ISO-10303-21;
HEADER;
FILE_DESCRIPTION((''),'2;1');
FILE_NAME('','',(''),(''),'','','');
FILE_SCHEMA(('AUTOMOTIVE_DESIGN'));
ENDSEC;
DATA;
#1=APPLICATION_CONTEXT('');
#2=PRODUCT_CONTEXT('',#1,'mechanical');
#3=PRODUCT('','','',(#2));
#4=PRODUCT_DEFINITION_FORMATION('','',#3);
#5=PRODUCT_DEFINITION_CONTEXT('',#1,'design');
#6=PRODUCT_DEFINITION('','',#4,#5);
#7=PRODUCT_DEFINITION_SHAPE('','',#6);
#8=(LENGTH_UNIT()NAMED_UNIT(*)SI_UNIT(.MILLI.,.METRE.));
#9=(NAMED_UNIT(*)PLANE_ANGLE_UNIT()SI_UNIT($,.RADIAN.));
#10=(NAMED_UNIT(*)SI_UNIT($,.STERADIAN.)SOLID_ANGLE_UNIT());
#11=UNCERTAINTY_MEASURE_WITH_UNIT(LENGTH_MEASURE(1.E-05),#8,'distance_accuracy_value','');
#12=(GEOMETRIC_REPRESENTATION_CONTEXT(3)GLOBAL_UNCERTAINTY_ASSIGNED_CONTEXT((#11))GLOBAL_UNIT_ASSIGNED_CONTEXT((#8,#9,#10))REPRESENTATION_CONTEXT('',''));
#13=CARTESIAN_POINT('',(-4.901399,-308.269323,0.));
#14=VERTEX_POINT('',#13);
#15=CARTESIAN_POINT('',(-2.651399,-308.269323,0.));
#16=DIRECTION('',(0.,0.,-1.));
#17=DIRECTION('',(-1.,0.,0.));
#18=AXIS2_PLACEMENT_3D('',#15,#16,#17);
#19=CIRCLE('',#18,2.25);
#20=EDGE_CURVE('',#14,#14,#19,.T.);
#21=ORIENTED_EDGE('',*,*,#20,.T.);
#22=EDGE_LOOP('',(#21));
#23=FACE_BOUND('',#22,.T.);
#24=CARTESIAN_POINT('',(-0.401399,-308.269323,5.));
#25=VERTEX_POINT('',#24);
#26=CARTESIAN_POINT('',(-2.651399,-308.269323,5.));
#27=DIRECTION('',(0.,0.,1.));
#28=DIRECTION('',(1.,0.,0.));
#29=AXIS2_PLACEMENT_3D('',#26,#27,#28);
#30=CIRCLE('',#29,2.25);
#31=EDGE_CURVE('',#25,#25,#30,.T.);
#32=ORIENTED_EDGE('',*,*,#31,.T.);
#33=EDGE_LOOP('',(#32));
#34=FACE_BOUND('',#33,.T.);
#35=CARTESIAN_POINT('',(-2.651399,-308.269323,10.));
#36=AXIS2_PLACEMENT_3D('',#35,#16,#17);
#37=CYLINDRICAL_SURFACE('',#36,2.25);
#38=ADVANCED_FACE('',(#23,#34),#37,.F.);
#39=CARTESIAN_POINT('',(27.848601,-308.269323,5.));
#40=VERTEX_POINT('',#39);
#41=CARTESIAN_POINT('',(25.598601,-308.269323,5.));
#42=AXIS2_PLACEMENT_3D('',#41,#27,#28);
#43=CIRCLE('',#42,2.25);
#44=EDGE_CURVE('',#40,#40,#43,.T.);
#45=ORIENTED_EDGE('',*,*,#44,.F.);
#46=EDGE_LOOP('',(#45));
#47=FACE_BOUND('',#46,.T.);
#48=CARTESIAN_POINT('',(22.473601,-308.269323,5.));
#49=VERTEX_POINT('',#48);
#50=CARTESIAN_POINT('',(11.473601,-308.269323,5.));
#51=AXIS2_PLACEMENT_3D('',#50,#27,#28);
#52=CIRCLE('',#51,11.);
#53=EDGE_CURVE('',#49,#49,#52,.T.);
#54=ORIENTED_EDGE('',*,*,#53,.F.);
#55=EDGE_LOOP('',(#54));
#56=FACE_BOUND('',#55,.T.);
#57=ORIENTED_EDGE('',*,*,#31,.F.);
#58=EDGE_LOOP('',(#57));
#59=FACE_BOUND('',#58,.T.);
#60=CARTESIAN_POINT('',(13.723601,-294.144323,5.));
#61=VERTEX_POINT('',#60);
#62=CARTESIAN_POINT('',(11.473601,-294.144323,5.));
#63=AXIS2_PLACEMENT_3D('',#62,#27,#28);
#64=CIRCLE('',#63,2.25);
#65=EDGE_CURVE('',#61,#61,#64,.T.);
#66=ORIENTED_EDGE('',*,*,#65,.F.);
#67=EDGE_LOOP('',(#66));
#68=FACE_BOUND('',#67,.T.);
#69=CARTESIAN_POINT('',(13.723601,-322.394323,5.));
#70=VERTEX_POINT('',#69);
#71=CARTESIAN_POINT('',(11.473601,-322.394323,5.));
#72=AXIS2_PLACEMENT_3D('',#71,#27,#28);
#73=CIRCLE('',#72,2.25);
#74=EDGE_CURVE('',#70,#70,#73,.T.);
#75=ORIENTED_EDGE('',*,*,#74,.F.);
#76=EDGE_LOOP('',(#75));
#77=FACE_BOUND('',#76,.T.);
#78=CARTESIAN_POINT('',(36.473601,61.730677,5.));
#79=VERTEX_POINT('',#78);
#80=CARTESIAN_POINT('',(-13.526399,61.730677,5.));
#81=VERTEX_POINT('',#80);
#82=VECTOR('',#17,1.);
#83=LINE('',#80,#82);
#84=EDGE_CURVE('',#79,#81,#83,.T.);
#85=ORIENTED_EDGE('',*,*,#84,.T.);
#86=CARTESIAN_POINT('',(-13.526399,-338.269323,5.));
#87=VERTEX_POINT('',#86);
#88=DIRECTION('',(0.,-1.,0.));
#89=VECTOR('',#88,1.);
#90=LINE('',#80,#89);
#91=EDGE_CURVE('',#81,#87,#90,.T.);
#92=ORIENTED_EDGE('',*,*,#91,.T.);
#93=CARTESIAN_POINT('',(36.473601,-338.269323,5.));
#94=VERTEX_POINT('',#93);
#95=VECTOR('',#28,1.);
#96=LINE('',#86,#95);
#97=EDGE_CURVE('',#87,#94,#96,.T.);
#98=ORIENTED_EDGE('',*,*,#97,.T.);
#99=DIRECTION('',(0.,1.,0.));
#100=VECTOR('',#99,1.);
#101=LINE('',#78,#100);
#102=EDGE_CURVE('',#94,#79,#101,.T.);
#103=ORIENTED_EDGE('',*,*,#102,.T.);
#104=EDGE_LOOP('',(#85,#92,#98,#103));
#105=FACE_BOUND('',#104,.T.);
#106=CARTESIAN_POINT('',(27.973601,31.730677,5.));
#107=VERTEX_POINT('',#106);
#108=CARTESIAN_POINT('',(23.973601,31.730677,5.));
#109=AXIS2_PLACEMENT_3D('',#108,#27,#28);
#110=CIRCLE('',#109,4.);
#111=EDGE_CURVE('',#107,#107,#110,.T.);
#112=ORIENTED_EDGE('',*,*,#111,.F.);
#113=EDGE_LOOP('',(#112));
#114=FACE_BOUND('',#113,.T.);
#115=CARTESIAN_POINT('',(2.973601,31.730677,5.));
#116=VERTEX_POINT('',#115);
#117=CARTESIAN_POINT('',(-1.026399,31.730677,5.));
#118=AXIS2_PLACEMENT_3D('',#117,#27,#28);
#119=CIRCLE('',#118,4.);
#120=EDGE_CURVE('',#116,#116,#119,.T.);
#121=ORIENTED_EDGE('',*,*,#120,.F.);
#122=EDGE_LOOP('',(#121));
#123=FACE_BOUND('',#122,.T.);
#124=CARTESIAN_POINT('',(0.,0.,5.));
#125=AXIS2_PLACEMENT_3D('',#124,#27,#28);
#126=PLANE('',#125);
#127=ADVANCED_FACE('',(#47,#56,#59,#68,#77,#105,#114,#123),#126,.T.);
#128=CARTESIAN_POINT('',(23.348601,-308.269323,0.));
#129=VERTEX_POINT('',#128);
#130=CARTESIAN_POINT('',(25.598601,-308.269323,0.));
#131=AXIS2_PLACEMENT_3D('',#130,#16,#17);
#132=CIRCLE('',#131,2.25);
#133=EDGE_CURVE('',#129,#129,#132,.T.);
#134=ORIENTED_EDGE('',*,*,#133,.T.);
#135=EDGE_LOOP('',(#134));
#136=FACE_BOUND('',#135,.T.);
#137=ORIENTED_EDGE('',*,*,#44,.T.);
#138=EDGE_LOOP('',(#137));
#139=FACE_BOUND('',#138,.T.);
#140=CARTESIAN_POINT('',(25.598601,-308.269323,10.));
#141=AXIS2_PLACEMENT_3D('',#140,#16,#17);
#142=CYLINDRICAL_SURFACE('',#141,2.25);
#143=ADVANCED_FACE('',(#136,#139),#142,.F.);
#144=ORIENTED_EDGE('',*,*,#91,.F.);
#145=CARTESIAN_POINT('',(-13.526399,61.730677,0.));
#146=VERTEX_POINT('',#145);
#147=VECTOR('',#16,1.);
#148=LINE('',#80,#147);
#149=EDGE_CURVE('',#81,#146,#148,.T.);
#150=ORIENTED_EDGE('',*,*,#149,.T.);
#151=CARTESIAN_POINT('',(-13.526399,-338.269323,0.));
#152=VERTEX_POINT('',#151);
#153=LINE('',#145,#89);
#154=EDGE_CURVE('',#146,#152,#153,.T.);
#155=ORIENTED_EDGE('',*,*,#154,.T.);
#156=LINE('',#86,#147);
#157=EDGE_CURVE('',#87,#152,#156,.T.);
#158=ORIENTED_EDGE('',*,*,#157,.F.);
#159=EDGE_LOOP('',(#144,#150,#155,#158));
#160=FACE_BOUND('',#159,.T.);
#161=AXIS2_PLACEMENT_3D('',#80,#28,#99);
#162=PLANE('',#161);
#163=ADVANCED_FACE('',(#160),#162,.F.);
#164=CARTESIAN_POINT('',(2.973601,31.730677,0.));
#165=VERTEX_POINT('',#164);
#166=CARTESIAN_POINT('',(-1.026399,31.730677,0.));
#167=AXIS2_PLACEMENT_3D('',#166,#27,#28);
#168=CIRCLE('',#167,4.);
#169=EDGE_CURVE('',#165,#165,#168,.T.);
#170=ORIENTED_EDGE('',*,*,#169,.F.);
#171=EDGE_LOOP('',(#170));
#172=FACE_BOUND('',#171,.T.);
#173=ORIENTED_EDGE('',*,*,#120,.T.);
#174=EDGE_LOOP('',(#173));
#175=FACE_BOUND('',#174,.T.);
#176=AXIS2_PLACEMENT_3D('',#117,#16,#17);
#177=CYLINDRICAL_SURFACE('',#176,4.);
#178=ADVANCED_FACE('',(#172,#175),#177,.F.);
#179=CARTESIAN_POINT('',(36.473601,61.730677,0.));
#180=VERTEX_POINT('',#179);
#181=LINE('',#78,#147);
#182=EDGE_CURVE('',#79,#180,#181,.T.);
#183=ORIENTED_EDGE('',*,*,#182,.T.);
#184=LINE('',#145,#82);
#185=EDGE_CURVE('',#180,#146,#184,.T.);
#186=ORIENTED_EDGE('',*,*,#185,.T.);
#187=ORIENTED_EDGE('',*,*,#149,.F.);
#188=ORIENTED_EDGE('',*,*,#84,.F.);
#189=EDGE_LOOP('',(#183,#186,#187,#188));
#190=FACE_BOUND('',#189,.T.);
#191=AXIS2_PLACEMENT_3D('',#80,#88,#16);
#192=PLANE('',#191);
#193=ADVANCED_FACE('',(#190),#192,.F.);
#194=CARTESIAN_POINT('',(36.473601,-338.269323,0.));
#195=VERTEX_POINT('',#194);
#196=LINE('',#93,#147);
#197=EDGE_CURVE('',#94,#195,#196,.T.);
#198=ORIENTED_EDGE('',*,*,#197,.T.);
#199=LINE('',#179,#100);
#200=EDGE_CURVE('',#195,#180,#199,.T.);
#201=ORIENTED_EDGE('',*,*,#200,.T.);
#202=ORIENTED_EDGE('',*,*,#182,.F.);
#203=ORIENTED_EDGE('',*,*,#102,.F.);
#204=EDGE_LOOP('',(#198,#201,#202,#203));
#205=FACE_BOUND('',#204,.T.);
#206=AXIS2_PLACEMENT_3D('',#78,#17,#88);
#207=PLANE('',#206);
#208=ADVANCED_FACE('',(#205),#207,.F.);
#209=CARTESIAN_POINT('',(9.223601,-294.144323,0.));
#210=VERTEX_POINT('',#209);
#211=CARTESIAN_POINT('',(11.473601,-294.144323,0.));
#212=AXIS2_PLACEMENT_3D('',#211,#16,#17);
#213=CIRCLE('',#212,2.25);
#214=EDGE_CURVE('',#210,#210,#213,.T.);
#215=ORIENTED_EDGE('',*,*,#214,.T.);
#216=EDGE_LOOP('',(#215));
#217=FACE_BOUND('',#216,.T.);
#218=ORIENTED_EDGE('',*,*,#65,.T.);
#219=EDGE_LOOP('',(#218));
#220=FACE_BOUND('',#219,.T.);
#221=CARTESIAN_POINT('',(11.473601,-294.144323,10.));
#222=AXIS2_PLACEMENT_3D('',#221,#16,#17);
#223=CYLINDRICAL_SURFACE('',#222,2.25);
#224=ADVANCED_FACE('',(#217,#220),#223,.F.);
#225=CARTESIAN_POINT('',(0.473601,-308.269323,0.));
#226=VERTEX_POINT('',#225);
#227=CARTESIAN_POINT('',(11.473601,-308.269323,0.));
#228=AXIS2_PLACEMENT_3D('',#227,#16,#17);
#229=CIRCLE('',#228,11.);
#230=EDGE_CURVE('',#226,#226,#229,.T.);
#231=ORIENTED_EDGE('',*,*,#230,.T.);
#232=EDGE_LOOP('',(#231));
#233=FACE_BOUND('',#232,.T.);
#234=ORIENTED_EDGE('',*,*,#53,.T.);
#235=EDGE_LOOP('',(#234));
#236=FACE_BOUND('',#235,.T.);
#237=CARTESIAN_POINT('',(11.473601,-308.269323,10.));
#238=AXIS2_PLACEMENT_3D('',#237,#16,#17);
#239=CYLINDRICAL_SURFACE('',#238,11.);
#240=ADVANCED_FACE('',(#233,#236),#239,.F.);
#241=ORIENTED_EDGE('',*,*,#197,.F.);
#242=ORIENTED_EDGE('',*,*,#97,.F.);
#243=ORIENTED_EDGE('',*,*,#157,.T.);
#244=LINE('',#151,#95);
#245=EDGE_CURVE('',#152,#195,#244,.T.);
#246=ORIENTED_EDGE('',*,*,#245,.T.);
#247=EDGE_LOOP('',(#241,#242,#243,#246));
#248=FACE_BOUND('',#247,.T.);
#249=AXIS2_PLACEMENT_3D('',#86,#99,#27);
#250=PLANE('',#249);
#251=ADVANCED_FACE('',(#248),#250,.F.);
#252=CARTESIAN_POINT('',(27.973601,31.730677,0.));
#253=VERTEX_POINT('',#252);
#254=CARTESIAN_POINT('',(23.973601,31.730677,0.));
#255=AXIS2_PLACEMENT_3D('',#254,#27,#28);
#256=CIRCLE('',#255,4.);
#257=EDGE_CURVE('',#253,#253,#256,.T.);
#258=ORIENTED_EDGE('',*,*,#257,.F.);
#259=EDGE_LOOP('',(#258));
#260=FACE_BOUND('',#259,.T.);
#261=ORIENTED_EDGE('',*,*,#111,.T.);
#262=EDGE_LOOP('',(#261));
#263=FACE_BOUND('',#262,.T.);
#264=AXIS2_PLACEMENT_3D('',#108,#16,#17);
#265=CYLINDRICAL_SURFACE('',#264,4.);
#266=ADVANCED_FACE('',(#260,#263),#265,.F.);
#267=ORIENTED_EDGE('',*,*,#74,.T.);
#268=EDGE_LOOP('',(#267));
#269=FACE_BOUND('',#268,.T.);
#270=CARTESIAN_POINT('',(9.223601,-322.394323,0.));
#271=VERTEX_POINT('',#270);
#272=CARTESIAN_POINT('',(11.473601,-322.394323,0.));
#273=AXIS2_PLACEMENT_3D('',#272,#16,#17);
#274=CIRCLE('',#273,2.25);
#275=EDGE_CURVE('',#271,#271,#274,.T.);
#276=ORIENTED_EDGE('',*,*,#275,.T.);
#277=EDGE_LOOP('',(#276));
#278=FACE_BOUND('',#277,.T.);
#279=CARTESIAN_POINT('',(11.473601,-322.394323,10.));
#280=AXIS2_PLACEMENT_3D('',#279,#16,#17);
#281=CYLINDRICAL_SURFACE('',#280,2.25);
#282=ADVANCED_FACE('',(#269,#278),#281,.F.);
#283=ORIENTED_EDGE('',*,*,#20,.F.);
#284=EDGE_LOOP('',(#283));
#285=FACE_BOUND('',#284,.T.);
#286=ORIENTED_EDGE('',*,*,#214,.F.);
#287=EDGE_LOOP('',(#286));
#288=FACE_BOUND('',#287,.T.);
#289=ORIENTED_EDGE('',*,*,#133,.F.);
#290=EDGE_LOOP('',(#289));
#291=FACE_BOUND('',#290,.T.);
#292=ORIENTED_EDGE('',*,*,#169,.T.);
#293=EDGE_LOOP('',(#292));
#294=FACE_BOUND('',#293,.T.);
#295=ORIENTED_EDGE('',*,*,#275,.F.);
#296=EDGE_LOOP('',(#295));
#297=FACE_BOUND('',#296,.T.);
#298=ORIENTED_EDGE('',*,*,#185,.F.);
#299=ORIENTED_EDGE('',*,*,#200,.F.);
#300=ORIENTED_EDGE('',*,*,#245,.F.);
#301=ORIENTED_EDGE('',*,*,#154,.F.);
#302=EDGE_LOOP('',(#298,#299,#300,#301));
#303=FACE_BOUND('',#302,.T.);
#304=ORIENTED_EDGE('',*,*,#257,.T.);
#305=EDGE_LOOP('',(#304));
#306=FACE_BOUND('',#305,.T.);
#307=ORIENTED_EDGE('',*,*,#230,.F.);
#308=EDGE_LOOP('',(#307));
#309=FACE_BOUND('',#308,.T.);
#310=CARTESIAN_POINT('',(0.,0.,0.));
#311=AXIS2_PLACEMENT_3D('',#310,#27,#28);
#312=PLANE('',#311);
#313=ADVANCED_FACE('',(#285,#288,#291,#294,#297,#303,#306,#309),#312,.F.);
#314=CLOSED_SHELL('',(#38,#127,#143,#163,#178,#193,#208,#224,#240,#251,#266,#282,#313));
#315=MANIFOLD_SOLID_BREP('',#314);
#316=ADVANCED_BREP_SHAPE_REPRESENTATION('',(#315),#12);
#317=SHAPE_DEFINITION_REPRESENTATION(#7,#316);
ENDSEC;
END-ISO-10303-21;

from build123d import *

# Parameters (mm, degrees)
SKETCH1_W           = 50
SKETCH1_H           = 400
SKETCH1_R           = 4
BOSS_EXTRUDE1_DEPTH = 5
SKETCH2_R           = 2.25
SKETCH2_R_2         = 11
CUT_EXTRUDE1_DEPTH  = 10


with BuildPart() as part:
    # Sketch1 → Boss-Extrude1 (new body)
    with BuildSketch(Plane.XY):
        with Locations((11.473600575, -138.26932293)):
            Rectangle(SKETCH1_W, SKETCH1_H)
        with Locations((-1.026399425, 31.73067707)):
            Circle(SKETCH1_R, mode=Mode.SUBTRACT)
        with Locations((23.973600575, 31.73067707)):
            Circle(SKETCH1_R, mode=Mode.SUBTRACT)
    extrude(amount=BOSS_EXTRUDE1_DEPTH)

    # Sketch2 → Cut-Extrude1 (cut)
    with BuildSketch(Plane(origin=(0, 0, 0), x_dir=(-1, 0, 0), z_dir=(0, 0, -1))):
        with Locations((-11.473600575, -322.39432293)):
            Circle(SKETCH2_R)
        with Locations((2.651399425, -308.26932293)):
            Circle(SKETCH2_R)
        with Locations((-11.473600575, -294.14432293)):
            Circle(SKETCH2_R)
        with Locations((-25.598600575, -308.26932293)):
            Circle(SKETCH2_R)
        with Locations((-11.473600575, -308.26932293)):
            Circle(SKETCH2_R_2)
    extrude(amount=-CUT_EXTRUDE1_DEPTH, mode=Mode.SUBTRACT)


solid = part.part
